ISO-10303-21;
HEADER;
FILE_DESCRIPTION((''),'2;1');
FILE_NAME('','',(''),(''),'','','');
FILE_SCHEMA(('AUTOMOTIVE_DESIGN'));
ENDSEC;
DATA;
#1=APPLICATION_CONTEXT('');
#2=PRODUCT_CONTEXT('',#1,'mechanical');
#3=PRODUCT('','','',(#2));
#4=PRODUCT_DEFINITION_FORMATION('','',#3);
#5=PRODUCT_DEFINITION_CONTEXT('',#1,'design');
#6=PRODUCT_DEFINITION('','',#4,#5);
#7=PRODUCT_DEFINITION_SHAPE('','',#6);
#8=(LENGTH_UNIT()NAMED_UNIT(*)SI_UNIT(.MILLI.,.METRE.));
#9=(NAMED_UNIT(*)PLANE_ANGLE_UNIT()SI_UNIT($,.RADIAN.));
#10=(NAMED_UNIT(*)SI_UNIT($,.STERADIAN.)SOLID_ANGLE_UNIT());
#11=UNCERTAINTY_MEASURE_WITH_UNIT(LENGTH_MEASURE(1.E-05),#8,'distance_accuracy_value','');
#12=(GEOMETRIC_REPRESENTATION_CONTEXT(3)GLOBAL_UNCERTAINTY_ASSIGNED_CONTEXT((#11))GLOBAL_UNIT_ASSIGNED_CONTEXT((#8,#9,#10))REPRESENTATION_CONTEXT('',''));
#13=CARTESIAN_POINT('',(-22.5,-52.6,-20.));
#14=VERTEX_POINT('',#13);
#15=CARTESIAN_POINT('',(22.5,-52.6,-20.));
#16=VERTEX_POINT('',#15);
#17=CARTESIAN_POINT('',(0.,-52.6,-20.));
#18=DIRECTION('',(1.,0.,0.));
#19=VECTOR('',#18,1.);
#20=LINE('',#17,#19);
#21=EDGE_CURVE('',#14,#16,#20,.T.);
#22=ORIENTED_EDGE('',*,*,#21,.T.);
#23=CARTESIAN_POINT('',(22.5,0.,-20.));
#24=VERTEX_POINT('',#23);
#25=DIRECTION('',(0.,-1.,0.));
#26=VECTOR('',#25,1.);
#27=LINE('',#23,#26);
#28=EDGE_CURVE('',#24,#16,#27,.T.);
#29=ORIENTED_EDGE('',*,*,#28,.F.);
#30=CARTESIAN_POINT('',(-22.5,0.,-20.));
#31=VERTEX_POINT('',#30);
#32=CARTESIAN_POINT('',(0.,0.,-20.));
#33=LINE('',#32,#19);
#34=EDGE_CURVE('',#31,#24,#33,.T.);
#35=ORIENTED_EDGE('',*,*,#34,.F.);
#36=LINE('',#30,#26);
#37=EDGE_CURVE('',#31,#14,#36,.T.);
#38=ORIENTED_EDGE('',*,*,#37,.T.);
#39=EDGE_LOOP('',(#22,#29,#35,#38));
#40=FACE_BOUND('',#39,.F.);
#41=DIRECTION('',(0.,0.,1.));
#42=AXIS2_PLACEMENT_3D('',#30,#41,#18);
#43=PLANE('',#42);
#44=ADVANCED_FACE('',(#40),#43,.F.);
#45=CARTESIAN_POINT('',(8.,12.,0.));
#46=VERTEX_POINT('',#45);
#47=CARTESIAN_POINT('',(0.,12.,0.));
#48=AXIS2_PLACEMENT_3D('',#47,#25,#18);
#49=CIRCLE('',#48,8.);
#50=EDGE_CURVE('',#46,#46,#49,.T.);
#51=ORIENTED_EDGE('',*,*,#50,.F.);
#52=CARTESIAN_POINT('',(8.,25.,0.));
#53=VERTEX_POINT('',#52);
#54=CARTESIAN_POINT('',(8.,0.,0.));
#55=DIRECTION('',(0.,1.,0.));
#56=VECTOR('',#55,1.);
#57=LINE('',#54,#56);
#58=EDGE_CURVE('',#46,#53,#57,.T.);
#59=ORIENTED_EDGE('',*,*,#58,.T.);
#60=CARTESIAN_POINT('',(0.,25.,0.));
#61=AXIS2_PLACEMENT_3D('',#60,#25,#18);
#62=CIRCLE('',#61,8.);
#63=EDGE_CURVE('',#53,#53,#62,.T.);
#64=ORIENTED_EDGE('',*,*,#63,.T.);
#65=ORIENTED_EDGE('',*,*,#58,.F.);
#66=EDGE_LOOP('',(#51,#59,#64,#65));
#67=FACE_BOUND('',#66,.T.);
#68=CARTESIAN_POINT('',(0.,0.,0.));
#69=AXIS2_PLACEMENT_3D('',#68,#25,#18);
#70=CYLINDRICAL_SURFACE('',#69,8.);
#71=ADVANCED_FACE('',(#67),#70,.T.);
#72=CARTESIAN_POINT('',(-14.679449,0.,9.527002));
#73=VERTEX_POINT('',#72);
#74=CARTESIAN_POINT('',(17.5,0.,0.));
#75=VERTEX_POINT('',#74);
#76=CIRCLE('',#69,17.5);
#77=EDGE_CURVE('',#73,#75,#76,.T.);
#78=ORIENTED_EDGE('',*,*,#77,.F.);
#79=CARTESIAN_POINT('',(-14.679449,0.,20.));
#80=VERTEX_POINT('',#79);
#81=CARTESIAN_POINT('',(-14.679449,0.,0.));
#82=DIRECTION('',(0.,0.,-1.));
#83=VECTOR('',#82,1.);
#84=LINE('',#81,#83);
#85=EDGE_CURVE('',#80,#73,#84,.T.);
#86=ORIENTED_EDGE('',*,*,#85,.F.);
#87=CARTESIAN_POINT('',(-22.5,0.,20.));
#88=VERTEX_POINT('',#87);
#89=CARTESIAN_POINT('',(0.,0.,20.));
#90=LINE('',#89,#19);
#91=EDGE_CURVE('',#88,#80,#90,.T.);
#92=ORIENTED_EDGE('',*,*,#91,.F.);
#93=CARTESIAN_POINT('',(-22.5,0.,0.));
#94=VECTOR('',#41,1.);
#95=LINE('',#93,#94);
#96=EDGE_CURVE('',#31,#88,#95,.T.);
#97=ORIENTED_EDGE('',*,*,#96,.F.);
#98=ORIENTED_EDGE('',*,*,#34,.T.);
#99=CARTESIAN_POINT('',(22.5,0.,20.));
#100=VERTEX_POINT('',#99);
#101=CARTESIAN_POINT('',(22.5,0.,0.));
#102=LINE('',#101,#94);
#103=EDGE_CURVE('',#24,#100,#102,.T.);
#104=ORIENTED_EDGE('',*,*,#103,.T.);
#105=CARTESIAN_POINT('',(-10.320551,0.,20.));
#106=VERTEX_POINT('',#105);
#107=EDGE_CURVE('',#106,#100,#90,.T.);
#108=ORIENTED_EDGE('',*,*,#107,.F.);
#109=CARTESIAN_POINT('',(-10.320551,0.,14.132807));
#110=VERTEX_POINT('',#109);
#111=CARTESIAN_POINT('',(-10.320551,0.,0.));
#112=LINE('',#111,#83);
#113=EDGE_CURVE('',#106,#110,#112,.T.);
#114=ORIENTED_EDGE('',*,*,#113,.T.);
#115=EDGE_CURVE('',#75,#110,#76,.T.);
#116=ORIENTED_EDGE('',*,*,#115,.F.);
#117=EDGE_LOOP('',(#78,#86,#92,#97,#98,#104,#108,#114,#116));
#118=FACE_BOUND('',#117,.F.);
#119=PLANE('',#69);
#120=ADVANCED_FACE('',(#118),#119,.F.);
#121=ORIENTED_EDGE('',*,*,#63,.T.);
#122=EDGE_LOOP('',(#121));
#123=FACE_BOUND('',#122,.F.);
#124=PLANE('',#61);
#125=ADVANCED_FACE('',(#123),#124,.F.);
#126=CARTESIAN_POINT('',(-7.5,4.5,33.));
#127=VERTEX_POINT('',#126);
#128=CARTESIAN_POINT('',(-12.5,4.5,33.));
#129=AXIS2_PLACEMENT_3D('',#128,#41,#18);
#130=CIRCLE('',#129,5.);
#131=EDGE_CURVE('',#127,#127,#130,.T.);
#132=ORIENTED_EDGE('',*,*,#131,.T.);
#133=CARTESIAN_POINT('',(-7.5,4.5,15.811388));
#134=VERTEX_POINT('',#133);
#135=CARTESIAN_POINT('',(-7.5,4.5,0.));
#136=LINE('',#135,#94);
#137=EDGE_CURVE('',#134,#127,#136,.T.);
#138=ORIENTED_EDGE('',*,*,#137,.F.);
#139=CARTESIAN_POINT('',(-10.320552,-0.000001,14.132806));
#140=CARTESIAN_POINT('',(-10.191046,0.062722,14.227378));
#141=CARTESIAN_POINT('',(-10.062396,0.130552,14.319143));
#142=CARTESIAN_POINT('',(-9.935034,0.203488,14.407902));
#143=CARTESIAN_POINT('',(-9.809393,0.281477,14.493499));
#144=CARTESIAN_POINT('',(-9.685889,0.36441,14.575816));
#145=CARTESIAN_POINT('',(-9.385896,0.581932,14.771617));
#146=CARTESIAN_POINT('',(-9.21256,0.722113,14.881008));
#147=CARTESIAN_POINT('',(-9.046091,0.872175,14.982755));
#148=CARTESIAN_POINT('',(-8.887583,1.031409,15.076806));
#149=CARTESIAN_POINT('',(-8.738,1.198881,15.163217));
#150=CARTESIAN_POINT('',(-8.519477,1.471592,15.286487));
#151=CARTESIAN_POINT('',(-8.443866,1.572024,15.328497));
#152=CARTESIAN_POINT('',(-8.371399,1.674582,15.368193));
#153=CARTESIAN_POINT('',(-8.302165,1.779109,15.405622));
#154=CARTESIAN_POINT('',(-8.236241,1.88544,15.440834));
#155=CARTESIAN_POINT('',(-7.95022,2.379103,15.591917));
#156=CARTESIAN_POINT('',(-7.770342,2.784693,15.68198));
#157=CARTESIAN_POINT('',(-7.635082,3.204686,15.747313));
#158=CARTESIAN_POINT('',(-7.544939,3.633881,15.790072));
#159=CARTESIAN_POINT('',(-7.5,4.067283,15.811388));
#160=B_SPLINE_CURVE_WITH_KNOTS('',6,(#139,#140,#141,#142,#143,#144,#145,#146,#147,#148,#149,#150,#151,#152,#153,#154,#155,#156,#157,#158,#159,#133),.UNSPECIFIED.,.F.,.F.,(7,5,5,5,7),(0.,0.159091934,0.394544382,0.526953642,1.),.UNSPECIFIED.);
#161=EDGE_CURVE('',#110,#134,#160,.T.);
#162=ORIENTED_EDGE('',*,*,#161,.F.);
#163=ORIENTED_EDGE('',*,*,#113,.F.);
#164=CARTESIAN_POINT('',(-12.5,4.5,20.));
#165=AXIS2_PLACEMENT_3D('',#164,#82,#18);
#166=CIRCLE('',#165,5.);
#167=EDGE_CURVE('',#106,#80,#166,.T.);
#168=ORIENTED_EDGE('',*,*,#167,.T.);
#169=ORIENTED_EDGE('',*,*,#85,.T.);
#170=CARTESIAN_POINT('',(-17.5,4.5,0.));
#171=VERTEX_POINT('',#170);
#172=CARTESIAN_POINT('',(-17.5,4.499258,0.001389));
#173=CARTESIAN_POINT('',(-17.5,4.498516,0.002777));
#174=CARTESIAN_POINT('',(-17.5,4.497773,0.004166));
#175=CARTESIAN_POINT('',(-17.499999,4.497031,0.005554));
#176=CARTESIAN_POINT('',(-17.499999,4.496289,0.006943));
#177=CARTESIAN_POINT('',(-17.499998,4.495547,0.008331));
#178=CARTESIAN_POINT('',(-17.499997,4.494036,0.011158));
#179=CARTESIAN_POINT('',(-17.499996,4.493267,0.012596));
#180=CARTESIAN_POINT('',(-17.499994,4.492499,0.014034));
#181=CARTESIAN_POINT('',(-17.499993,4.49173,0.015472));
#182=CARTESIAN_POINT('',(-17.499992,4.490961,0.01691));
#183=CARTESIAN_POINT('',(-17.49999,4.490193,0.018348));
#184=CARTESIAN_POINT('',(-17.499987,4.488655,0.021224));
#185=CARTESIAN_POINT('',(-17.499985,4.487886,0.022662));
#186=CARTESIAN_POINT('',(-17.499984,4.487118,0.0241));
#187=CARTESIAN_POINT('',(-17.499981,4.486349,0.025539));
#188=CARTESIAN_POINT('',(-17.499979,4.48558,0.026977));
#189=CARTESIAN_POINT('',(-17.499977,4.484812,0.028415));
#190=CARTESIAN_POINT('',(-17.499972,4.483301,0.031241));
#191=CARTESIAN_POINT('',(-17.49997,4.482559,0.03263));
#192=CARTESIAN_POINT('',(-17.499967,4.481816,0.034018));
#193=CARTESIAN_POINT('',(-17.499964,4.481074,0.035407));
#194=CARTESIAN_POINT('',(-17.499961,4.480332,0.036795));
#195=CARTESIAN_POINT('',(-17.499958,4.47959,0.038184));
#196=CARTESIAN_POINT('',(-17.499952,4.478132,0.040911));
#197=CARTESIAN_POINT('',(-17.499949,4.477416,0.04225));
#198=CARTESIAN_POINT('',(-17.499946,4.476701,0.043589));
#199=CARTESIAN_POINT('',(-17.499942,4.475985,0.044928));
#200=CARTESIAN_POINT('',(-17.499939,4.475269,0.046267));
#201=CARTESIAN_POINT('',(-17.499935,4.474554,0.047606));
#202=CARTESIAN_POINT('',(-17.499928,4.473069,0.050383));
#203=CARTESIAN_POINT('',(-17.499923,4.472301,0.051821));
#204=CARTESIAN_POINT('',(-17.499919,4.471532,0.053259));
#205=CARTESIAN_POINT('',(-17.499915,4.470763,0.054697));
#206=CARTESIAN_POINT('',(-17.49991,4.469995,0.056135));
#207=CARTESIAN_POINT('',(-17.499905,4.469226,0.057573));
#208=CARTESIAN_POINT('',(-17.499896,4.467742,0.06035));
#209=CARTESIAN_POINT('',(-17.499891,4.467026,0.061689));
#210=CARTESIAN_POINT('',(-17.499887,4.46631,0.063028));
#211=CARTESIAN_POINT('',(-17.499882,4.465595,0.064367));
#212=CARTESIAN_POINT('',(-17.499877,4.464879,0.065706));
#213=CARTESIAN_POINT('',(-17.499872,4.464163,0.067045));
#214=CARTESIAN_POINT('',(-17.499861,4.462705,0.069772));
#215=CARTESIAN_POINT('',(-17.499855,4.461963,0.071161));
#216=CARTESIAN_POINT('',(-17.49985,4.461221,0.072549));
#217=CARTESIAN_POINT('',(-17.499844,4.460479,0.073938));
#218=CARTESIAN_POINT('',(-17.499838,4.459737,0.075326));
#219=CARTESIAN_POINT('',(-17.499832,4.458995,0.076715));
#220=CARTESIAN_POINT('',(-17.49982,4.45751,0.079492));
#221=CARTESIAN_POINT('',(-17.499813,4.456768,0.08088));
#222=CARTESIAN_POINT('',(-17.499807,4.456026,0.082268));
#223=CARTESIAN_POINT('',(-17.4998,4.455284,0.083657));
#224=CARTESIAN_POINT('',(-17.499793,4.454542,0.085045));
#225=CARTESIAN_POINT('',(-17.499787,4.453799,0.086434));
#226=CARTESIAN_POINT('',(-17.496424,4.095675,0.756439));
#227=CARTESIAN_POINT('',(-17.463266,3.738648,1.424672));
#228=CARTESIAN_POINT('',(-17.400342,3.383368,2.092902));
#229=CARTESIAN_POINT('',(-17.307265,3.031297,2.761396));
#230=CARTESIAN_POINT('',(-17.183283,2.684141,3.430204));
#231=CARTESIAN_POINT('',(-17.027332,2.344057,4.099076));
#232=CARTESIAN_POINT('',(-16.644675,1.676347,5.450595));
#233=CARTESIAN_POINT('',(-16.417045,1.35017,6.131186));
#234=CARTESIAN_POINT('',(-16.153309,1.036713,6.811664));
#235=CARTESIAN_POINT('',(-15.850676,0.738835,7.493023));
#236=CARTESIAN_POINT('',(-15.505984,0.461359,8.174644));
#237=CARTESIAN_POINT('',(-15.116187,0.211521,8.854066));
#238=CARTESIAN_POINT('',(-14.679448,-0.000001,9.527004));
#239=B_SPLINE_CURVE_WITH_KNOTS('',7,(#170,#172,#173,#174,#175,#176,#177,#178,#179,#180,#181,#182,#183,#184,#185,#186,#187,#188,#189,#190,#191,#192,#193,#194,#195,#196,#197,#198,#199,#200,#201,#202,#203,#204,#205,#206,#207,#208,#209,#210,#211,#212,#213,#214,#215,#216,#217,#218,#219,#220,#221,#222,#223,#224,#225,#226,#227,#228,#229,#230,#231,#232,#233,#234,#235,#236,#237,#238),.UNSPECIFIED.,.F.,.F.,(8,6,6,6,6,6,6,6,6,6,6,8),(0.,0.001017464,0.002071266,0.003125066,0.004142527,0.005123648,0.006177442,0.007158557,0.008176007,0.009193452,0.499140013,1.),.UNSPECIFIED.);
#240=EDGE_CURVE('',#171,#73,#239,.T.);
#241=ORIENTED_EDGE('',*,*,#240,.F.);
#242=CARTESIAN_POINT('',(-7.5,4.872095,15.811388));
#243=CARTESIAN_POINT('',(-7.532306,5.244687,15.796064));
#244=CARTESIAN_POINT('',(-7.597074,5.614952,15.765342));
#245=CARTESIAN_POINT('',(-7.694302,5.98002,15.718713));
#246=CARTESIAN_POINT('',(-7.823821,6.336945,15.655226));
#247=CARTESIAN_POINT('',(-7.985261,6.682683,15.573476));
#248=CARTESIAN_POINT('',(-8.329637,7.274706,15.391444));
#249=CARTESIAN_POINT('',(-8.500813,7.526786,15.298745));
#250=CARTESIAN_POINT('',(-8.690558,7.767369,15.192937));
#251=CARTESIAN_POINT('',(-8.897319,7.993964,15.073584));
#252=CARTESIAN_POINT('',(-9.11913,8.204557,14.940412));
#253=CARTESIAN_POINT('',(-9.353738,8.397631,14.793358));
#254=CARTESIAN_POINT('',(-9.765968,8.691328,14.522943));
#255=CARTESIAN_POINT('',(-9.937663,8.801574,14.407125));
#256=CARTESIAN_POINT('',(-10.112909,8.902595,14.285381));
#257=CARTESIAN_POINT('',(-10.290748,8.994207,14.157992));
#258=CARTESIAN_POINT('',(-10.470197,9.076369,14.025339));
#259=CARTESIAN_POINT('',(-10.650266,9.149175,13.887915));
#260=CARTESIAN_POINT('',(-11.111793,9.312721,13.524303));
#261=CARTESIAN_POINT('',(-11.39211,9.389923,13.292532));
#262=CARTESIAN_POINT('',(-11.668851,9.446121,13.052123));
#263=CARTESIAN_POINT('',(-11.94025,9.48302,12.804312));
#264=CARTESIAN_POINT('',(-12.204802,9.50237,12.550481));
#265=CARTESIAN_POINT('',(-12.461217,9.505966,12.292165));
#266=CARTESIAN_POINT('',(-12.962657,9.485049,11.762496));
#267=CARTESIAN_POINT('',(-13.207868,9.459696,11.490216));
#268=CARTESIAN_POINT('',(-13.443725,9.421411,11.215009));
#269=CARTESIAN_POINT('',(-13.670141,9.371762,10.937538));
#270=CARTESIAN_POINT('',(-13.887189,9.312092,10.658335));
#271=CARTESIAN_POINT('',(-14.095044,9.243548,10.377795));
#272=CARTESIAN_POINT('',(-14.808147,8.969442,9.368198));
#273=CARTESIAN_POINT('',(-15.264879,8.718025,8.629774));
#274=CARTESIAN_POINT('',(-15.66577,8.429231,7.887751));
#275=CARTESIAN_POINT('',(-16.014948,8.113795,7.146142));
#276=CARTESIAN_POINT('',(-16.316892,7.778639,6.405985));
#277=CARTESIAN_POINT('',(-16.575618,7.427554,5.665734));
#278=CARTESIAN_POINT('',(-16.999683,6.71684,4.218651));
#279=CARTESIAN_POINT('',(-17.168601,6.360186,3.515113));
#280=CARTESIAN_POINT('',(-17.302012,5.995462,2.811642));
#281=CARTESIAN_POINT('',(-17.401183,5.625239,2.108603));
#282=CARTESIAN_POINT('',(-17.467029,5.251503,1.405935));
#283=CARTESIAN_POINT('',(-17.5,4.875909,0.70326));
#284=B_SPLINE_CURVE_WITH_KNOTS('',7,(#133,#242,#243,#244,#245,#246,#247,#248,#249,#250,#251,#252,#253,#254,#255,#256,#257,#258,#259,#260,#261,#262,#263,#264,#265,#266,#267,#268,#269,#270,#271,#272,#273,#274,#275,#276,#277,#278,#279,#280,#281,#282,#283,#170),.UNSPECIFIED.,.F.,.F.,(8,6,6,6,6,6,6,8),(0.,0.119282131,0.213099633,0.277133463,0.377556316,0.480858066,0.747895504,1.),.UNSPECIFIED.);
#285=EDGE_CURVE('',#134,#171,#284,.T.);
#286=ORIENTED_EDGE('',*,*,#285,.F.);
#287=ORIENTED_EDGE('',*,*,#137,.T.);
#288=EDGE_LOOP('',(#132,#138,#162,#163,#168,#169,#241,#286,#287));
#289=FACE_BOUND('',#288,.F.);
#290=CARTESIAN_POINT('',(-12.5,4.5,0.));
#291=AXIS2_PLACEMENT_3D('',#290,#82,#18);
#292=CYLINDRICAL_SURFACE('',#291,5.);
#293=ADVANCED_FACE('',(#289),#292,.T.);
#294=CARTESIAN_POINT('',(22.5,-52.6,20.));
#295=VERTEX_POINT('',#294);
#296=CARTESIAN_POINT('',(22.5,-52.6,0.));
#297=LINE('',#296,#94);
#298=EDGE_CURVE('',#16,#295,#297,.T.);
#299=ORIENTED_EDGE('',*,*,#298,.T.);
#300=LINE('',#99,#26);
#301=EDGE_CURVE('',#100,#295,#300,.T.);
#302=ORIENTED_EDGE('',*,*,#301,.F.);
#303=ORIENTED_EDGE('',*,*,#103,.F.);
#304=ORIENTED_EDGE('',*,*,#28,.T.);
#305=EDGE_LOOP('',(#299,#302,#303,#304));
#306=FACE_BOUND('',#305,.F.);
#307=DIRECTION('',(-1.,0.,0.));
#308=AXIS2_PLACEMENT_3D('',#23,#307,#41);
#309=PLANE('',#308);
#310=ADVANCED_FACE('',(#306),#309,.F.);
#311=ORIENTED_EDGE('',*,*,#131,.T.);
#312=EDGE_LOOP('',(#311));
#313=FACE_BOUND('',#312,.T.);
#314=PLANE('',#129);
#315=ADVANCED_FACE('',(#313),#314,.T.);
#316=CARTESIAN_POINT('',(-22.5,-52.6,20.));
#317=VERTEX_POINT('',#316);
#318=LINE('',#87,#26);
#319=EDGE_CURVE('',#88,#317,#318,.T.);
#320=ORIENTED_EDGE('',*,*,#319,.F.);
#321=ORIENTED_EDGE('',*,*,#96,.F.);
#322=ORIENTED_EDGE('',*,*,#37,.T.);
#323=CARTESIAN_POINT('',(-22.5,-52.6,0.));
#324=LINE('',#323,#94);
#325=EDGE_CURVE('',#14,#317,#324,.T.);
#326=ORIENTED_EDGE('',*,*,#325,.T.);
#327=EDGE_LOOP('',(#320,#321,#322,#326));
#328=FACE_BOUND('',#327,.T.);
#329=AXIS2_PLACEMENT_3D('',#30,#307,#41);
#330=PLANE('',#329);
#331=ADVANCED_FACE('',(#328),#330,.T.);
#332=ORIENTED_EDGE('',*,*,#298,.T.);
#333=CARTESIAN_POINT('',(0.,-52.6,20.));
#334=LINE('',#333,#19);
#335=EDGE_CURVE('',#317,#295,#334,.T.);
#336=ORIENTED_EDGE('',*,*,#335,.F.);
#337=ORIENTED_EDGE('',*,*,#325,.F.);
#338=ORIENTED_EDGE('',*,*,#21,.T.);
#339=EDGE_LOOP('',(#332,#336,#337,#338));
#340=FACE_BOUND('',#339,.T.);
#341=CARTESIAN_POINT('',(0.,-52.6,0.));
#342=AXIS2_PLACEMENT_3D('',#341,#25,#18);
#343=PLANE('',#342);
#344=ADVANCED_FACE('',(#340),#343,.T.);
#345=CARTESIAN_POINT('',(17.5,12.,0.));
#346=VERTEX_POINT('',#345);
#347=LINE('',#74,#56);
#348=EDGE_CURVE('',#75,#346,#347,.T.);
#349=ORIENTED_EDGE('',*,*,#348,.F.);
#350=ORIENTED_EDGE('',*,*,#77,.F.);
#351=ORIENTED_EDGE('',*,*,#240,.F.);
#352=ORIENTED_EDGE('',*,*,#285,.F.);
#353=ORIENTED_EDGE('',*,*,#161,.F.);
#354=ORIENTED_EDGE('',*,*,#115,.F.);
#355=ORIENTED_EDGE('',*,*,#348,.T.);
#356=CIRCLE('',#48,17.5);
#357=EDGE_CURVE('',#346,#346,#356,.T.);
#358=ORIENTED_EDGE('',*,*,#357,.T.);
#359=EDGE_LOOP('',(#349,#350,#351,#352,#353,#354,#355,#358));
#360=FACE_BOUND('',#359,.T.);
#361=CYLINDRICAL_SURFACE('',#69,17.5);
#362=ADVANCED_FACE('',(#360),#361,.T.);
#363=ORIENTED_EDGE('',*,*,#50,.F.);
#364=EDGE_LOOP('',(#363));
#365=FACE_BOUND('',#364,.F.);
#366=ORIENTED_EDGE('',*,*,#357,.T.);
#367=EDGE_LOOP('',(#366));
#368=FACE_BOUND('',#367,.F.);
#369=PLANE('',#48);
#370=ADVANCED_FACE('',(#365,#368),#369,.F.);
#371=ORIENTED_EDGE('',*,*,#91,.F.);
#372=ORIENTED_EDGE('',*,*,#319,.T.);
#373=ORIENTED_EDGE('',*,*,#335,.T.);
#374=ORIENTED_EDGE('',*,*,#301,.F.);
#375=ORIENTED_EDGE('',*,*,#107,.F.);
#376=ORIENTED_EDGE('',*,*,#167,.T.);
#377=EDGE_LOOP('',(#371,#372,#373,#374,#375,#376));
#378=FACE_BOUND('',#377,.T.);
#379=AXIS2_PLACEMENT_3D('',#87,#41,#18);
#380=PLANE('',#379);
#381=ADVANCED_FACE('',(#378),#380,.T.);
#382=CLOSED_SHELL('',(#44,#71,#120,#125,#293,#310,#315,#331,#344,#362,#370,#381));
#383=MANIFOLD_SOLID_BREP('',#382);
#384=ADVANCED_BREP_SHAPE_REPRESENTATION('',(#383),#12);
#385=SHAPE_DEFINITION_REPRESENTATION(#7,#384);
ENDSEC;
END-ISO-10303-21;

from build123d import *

# Parameters (mm, degrees)
F0_W     = 45
F0_H     = 40
F0_R     = 17.5
F0_R_2   = 8
F1_DEPTH = 52.6
F2_DEPTH = 12
F3_DEPTH = 25
F4_R     = 5
F5_DEPTH = 33


with BuildPart() as f1:
    # F0 (on Front) → F1 (new body)
    with BuildSketch(Plane.XZ):
        Rectangle(F0_W, F0_H)
        Circle(F0_R, mode=Mode.SUBTRACT)
        Circle(F0_R)
        Circle(F0_R_2, mode=Mode.SUBTRACT)
        Circle(F0_R_2)
    extrude(amount=F1_DEPTH)

    # F0 (on Front) → F2 (join)
    with BuildSketch(Plane.XZ):
        Circle(F0_R)
        Circle(F0_R_2, mode=Mode.SUBTRACT)
    extrude(amount=-F2_DEPTH)

    # F0 (on Front) → F3 (join)
    with BuildSketch(Plane.XZ):
        Circle(F0_R_2)
    extrude(amount=-F3_DEPTH)

    # F4 (on Top) → F5 (join)
    with BuildSketch(Plane.XY):
        with Locations((-12.5, 4.5)):
            Circle(F4_R)
    extrude(amount=F5_DEPTH)


solid = f1.part
